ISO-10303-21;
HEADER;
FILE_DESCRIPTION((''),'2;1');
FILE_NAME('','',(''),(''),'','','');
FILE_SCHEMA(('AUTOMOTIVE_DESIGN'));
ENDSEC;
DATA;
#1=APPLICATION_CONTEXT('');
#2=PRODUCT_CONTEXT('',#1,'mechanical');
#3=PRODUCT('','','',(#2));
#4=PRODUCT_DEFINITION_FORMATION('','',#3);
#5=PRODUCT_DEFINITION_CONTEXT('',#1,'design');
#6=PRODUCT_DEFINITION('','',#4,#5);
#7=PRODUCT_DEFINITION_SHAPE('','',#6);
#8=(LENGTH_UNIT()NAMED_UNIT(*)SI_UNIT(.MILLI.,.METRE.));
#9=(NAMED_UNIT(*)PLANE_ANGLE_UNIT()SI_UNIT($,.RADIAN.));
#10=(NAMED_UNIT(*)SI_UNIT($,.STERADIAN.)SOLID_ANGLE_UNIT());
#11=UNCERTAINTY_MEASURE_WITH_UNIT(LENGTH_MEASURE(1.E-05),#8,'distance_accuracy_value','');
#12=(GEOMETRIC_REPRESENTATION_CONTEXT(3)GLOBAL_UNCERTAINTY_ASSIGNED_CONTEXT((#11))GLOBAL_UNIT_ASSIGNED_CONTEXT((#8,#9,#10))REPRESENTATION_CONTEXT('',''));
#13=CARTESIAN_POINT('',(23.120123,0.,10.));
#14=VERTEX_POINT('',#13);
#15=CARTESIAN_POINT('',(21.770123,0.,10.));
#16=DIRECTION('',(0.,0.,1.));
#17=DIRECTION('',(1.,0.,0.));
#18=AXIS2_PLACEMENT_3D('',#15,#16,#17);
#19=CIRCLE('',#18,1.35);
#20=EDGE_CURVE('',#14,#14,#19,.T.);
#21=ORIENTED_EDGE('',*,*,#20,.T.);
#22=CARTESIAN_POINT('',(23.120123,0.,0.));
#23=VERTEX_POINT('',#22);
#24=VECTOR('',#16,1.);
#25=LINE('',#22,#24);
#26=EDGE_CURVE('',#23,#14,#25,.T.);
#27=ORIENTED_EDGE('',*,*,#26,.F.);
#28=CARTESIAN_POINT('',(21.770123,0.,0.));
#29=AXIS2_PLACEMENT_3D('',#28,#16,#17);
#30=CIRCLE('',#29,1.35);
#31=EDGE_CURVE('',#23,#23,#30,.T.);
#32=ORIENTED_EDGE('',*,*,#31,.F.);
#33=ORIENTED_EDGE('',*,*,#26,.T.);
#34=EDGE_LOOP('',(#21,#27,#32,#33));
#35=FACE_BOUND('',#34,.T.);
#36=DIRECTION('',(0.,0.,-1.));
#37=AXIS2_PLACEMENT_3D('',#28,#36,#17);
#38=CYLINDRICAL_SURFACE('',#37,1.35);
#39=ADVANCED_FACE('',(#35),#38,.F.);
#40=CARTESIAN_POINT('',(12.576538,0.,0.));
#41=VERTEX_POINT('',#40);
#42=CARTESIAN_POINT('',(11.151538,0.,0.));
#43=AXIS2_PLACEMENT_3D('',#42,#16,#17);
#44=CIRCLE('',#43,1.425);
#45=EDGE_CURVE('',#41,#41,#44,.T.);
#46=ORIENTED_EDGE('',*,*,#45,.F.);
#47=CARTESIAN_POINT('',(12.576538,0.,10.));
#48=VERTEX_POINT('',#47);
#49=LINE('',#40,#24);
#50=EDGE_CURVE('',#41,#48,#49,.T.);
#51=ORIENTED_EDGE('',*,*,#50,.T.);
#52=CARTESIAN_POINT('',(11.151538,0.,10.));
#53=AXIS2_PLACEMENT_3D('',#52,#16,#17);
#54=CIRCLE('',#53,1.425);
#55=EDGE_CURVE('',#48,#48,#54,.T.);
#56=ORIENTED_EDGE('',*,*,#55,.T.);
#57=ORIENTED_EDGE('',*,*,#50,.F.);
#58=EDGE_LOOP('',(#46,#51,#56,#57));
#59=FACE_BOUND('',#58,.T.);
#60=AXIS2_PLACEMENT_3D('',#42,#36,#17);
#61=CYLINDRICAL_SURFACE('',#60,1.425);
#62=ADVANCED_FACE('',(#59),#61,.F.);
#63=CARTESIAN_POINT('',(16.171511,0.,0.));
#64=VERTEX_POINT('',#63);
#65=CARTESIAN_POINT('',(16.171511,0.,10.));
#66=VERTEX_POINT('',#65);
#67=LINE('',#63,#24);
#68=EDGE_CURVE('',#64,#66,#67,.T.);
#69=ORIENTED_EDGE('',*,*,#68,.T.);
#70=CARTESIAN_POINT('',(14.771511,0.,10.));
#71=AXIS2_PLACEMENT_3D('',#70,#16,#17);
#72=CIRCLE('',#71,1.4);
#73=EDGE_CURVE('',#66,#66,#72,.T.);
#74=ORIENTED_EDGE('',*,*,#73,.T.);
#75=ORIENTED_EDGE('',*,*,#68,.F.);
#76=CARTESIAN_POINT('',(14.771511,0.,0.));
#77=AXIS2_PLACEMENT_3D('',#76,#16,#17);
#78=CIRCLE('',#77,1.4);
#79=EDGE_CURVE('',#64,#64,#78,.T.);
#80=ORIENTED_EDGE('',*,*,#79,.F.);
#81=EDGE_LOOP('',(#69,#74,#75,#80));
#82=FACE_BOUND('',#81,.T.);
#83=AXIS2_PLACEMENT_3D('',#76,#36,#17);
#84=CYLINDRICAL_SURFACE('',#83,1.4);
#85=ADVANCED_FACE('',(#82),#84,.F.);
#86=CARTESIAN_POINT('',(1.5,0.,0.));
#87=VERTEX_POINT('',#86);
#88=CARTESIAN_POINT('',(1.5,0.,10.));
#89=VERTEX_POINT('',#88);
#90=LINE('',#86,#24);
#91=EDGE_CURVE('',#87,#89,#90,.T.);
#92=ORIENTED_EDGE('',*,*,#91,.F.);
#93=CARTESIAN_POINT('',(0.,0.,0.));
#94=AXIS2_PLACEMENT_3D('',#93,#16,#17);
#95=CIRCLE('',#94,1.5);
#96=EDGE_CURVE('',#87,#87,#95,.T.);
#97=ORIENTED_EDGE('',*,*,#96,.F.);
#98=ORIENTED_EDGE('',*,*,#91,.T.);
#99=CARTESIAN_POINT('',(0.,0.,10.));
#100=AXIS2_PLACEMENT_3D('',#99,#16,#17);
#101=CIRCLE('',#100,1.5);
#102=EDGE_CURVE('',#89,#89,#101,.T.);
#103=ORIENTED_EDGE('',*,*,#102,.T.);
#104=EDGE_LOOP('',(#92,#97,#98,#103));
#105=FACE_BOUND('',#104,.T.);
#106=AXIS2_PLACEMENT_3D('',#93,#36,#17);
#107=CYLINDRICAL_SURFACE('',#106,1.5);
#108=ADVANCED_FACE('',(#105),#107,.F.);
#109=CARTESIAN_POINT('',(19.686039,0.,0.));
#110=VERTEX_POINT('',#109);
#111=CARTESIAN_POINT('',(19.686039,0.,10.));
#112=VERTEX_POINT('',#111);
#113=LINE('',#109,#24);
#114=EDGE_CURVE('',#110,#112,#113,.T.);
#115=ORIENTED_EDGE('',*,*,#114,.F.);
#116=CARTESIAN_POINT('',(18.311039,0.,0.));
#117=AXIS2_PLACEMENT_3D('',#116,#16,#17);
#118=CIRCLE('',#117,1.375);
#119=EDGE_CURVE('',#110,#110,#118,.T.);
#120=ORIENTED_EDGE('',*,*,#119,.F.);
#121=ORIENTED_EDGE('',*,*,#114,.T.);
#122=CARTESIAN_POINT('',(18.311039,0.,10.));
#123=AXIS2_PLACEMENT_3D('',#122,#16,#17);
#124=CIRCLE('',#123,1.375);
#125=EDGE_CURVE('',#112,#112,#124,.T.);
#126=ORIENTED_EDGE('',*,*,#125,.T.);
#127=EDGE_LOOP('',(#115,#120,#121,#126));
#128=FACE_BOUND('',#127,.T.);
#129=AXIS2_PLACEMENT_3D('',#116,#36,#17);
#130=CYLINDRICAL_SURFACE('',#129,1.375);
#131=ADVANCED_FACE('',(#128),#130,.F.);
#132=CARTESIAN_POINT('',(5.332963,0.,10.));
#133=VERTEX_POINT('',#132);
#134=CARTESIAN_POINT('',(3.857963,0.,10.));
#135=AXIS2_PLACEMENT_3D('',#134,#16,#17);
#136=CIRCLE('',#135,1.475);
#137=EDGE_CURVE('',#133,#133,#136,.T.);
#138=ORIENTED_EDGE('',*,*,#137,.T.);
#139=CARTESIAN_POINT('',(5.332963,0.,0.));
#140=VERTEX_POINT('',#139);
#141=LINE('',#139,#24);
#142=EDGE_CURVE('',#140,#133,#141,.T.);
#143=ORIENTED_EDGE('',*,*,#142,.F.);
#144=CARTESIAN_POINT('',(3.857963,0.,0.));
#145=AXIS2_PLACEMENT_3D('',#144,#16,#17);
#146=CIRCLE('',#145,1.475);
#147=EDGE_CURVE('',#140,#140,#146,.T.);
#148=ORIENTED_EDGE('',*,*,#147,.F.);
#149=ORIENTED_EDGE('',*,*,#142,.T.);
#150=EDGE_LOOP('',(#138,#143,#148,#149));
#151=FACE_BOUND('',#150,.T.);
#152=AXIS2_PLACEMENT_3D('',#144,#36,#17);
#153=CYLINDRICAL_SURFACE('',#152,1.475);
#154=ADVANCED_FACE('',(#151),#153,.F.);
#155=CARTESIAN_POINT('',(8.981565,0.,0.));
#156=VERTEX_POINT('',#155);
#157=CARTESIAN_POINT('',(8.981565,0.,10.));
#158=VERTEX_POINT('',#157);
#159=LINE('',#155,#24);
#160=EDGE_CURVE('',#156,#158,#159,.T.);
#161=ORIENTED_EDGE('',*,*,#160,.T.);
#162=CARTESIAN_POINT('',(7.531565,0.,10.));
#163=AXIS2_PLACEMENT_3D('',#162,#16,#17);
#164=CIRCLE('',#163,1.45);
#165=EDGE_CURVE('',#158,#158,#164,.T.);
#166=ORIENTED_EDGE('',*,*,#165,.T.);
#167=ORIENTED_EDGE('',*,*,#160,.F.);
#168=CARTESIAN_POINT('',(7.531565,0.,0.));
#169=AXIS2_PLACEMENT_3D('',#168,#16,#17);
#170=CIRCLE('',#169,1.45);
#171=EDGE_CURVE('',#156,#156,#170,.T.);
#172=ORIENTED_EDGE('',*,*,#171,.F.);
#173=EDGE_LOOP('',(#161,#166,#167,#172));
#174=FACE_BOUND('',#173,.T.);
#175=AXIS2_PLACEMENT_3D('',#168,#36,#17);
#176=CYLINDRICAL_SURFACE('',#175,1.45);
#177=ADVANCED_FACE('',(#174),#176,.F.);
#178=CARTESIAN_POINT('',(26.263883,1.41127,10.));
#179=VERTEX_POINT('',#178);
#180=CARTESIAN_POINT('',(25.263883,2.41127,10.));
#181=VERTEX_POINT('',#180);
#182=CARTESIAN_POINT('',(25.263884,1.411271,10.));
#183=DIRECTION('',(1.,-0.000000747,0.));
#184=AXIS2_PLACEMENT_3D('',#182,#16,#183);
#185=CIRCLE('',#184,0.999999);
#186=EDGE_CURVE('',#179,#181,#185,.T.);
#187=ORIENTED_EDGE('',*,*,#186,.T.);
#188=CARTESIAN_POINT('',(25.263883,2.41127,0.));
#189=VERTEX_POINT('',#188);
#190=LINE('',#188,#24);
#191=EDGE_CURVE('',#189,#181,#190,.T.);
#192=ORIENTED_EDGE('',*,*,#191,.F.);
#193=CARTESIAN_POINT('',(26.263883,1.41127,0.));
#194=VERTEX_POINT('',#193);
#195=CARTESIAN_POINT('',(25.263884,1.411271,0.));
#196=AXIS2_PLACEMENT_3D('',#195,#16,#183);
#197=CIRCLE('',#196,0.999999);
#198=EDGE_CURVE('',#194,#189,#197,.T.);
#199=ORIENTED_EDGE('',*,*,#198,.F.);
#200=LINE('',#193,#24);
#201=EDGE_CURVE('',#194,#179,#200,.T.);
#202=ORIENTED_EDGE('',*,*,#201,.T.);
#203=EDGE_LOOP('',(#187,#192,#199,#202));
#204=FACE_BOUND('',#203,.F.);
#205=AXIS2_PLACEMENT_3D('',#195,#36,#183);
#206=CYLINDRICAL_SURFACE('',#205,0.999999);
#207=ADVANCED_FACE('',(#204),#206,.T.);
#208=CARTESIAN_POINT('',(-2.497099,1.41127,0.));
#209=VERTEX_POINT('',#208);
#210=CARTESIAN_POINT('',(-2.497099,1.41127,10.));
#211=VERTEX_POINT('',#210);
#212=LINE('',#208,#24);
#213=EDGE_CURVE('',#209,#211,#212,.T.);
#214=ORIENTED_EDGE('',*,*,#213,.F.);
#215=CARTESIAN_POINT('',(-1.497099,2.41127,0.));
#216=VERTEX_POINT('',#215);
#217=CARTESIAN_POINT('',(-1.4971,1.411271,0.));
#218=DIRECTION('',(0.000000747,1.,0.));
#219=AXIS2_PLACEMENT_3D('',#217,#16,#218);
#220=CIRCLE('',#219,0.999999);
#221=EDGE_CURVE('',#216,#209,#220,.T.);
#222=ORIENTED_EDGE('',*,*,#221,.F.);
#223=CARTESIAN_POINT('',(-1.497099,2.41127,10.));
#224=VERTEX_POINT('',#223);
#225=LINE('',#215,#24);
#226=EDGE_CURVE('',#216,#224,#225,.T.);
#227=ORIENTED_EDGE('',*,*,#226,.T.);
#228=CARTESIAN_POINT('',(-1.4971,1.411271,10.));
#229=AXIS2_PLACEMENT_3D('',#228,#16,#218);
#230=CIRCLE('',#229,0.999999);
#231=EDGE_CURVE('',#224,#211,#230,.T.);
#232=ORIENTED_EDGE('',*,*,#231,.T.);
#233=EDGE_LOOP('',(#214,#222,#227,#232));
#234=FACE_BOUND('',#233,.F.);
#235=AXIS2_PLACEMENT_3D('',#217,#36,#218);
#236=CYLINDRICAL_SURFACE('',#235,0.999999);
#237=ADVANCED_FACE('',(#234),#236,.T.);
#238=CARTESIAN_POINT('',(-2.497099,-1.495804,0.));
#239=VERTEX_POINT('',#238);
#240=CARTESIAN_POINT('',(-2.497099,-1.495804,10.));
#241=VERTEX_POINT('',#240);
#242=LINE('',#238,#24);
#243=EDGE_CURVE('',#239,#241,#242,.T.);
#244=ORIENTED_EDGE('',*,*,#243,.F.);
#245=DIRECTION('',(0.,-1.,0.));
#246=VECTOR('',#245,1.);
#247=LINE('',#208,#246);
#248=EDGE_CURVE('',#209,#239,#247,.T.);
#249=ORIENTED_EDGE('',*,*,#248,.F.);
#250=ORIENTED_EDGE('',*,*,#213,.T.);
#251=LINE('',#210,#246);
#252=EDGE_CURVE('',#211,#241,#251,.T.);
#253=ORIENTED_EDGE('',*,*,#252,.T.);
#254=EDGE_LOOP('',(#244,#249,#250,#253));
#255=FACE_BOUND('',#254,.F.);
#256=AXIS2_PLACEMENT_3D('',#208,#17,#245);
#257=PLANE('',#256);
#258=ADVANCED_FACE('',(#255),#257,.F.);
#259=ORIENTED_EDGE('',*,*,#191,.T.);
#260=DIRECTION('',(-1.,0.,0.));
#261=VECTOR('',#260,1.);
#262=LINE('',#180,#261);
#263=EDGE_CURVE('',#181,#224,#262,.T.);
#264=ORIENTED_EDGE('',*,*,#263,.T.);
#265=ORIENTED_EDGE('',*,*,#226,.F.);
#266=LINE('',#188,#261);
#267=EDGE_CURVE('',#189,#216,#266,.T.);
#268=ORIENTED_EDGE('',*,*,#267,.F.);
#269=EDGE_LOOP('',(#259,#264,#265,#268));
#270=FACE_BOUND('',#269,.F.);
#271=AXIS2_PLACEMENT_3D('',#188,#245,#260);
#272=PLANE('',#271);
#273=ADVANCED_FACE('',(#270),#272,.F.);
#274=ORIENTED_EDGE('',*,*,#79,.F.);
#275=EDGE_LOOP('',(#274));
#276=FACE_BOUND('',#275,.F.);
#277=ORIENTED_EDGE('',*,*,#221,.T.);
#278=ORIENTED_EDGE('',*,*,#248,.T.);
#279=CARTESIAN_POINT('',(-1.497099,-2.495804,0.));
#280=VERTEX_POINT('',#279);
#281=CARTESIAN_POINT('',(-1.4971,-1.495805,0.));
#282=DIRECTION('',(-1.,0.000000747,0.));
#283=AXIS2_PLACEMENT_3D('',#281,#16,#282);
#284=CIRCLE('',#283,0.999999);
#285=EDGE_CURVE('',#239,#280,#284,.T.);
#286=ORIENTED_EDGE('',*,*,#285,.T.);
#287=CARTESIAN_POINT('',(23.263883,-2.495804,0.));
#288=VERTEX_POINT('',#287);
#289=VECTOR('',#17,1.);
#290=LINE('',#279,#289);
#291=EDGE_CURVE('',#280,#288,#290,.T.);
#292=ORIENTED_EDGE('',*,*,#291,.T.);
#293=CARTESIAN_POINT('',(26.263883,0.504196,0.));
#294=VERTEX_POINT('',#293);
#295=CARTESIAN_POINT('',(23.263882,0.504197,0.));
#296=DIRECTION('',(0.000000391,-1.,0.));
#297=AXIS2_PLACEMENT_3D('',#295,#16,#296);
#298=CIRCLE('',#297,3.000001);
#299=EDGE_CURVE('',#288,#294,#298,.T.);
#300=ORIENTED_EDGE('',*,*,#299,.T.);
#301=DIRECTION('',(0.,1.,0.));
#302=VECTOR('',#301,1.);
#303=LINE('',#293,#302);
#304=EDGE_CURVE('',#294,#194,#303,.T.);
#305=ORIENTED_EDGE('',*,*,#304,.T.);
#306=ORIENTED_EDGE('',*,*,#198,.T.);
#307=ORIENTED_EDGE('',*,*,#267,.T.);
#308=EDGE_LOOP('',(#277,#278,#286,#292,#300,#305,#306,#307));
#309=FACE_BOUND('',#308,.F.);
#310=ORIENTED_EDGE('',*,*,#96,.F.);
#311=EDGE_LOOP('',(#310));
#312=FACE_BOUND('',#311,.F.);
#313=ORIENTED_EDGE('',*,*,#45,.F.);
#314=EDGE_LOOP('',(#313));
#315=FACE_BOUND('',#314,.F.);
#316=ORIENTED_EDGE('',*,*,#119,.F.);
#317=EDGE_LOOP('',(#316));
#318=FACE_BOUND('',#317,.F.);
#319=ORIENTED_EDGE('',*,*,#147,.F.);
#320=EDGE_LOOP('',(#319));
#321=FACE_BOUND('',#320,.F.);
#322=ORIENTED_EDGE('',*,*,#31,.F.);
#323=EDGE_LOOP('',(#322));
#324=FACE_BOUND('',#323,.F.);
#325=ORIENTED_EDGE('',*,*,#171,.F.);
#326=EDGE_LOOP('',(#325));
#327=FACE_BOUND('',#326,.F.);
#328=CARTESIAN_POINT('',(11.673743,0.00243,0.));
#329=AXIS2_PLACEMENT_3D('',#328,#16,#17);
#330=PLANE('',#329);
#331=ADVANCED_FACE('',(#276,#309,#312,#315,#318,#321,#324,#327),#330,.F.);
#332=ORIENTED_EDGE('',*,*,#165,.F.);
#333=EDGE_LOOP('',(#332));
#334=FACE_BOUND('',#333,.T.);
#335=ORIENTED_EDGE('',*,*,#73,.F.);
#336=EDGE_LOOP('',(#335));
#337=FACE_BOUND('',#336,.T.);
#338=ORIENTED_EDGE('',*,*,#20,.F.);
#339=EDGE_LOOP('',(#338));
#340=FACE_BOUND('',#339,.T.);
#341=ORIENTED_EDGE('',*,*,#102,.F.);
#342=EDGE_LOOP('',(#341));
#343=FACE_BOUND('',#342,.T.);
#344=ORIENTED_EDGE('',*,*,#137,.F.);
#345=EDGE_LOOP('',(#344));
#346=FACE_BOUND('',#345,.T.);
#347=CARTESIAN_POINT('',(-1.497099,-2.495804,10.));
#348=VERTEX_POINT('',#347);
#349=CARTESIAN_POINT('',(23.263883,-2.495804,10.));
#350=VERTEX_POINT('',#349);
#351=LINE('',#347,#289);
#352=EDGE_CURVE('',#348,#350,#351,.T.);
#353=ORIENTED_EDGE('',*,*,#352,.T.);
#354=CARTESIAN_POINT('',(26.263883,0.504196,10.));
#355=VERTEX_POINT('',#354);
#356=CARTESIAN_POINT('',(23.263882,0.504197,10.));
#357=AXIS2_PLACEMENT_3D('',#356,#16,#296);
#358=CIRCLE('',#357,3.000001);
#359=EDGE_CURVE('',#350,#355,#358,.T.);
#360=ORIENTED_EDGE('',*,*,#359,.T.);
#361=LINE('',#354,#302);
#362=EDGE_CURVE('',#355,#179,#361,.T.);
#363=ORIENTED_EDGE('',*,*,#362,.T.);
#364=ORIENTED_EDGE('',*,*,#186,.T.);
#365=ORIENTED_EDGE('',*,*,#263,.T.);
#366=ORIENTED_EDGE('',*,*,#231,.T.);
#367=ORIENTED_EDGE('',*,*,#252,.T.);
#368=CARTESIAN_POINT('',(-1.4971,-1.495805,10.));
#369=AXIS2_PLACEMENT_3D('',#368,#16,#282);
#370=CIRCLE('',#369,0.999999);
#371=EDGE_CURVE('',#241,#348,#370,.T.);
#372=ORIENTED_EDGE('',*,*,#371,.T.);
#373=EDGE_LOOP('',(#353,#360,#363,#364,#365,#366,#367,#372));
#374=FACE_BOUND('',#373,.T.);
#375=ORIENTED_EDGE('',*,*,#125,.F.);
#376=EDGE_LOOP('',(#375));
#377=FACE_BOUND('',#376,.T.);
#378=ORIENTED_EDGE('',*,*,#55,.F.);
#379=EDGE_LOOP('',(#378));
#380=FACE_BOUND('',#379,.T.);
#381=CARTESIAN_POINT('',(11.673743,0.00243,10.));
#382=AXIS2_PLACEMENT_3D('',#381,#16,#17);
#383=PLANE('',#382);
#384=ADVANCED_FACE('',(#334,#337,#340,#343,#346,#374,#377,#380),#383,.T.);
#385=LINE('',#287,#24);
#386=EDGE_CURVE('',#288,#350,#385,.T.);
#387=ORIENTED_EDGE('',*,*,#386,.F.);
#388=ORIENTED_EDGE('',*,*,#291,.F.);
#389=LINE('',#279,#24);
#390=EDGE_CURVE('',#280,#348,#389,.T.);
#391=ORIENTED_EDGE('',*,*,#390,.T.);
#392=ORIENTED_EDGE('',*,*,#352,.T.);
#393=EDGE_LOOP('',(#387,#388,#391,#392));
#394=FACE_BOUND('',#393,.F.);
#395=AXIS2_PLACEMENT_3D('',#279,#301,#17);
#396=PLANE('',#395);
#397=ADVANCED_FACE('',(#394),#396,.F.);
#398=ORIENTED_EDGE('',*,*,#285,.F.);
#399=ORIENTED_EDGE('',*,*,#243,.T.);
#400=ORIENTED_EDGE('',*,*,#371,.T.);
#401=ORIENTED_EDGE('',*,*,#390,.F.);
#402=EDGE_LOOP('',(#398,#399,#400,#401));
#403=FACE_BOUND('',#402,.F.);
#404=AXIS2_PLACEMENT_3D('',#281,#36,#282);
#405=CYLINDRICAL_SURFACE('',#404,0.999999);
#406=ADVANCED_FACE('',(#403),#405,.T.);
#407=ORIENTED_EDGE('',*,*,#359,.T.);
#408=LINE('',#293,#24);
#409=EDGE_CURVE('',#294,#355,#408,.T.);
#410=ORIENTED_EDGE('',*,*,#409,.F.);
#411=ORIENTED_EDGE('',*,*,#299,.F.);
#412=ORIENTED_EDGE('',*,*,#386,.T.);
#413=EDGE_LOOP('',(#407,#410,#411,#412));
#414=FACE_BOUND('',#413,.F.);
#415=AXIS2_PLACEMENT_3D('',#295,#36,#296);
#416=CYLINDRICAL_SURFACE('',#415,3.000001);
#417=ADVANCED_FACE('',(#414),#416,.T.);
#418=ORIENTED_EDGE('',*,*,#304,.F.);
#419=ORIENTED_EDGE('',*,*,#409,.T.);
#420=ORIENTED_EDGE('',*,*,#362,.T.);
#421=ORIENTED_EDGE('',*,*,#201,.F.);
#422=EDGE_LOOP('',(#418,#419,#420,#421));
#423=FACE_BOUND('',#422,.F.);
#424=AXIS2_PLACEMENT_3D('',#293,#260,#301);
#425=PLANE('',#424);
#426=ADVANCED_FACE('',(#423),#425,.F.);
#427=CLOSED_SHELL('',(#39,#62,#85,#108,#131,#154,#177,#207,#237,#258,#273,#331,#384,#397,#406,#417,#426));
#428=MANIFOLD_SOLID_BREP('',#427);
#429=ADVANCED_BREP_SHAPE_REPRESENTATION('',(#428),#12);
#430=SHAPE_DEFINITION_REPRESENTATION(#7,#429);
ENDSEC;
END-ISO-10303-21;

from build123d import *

# Parameters (mm, degrees)
F0_R     = 1.5
F0_R_2   = 1.475
F0_R_3   = 1.45
F0_R_4   = 1.425
F0_R_5   = 1.4
F0_R_6   = 1.375
F0_R_7   = 1.35
F1_DEPTH = 10


with BuildPart() as f1:
    # F0 (on Top) → F1 (new body)
    with BuildSketch(Plane.XY):
        with BuildLine():
            Line((25.263883, 2.41127), (-1.497099, 2.41127))
            ThreePointArc((-1.497099, 2.41127), (-2.204206, 2.118377), (-2.497099, 1.41127))
            Line((-2.497099, 1.41127), (-2.497099, -1.495804))
            ThreePointArc((-2.497099, -1.495804), (-2.204206, -2.202911), (-1.497099, -2.495804))
            Line((-1.497099, -2.495804), (23.263883, -2.495804))
            ThreePointArc((23.263883, -2.495804), (25.385203, -1.617124), (26.263883, 0.504196))
            Line((26.263883, 0.504196), (26.263883, 1.41127))
            ThreePointArc((26.263883, 1.41127), (25.97099, 2.118377), (25.263883, 2.41127))
        make_face()
        Circle(F0_R, mode=Mode.SUBTRACT)
        with Locations((3.857963, 0)):
            Circle(F0_R_2, mode=Mode.SUBTRACT)
        with Locations((7.531565, 0)):
            Circle(F0_R_3, mode=Mode.SUBTRACT)
        with Locations((11.151538, 0)):
            Circle(F0_R_4, mode=Mode.SUBTRACT)
        with Locations((14.771511, 0)):
            Circle(F0_R_5, mode=Mode.SUBTRACT)
        with Locations((18.311039, 0)):
            Circle(F0_R_6, mode=Mode.SUBTRACT)
        with Locations((21.770123, 0)):
            Circle(F0_R_7, mode=Mode.SUBTRACT)
    extrude(amount=F1_DEPTH)


solid = f1.part
